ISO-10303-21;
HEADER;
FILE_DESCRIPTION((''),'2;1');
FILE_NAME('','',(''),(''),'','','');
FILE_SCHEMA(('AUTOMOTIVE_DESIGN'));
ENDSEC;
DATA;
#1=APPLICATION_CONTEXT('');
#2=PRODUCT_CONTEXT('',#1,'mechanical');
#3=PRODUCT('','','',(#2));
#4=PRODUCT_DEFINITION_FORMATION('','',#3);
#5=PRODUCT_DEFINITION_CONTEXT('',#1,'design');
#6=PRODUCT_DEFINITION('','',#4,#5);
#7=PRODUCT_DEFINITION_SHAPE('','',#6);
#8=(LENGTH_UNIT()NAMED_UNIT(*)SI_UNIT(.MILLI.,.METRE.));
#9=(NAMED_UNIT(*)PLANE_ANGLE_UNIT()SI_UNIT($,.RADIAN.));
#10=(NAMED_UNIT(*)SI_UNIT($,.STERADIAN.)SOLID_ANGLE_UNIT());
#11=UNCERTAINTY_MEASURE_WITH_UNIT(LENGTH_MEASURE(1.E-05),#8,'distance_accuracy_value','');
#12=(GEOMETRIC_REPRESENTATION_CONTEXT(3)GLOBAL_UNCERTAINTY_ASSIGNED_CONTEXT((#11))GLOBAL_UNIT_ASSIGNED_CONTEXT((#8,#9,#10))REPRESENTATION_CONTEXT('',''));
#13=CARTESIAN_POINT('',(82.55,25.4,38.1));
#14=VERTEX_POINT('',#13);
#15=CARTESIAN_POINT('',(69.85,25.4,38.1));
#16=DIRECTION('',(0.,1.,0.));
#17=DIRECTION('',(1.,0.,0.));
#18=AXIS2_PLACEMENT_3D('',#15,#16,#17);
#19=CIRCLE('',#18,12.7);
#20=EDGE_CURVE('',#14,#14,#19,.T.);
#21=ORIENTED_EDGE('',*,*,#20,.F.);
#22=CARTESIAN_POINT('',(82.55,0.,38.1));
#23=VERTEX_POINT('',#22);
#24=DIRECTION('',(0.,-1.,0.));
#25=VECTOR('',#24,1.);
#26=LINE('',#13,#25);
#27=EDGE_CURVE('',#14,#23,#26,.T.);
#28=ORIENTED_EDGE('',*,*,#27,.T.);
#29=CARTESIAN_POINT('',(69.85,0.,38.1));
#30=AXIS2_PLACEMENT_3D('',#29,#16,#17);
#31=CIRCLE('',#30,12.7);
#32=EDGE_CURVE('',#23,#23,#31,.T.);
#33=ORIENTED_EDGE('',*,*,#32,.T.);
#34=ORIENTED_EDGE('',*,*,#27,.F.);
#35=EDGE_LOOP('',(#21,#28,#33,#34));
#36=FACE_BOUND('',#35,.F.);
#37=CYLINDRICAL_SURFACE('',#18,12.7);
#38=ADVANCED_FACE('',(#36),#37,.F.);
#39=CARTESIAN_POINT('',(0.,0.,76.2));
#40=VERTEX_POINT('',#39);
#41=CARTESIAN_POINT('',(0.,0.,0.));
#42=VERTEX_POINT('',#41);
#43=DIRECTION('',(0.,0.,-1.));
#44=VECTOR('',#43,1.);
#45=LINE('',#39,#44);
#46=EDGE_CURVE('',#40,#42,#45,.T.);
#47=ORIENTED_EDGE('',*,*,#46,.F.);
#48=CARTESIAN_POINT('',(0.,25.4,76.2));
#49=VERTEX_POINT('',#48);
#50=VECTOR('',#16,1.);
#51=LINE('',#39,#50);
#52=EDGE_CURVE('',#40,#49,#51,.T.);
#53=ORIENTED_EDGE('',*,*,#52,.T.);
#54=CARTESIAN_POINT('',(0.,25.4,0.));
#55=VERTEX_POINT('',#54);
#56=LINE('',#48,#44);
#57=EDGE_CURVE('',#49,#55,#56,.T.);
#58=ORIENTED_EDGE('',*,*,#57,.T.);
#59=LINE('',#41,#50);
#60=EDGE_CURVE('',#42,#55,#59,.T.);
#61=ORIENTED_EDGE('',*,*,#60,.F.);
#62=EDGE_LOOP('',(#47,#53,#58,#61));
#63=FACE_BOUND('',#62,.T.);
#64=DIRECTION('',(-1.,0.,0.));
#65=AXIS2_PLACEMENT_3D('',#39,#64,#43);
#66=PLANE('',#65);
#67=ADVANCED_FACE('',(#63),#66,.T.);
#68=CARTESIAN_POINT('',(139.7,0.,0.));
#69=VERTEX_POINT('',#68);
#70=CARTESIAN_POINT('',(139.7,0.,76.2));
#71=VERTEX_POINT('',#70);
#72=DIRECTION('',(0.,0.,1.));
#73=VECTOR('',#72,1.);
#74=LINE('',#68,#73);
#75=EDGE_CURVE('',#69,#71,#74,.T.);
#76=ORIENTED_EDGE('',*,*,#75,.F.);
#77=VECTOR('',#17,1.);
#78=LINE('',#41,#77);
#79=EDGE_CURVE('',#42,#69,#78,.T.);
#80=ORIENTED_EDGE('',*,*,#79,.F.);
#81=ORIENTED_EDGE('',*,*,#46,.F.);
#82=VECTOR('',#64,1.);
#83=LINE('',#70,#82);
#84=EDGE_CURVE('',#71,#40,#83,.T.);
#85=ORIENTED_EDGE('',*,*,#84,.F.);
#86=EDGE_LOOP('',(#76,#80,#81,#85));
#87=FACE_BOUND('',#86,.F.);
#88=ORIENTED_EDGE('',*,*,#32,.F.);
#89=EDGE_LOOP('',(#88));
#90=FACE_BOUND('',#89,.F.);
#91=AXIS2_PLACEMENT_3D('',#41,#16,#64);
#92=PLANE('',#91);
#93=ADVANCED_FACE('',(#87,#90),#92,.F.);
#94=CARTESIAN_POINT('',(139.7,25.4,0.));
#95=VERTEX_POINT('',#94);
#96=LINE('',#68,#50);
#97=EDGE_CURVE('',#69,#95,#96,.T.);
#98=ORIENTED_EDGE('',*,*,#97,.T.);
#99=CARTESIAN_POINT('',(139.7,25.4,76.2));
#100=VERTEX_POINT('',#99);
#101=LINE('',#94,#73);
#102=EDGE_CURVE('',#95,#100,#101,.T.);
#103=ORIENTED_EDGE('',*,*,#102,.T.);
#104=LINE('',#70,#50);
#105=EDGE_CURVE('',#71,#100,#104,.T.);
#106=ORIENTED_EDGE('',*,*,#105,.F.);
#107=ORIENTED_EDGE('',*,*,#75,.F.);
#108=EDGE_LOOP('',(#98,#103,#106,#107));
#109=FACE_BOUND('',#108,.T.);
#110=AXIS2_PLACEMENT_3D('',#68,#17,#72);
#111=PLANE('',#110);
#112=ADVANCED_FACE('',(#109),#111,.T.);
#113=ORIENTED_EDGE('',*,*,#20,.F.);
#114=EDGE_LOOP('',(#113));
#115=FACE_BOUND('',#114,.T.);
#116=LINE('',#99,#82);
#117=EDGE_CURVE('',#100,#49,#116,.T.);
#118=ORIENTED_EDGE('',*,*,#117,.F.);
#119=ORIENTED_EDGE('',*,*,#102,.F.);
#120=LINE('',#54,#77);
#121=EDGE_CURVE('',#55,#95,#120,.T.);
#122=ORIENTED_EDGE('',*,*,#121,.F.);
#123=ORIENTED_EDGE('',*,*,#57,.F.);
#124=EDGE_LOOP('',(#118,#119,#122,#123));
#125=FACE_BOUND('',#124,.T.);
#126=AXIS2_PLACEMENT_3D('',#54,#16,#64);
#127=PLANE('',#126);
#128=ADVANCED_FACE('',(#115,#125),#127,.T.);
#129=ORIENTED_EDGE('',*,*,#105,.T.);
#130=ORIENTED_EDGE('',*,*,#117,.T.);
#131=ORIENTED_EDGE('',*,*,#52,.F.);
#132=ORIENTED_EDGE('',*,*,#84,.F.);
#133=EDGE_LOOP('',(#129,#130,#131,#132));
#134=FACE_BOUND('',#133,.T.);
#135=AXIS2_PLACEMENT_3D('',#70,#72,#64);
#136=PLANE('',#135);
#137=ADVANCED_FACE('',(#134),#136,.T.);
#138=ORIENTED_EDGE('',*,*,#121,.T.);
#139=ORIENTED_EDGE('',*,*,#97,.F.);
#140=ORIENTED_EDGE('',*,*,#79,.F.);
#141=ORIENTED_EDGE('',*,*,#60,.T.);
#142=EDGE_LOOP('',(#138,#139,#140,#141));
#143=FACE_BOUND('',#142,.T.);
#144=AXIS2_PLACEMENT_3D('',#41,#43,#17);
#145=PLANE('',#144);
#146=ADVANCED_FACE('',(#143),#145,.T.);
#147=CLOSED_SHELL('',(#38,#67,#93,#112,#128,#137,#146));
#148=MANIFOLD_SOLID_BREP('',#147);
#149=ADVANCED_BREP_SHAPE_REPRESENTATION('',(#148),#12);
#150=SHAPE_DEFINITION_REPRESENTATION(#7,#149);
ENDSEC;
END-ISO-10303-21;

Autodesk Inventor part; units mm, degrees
ref_plane "YZ Plane" through (0, 0, 0) normal (1, 0, 0) x (0, 1, 0)
ref_plane "XZ Plane" through (0, 0, 0) normal (0, 1, 0) x (-1, 0, 0)
ref_plane "XY Plane" through (0, 0, 0) normal (0, 0, 1) x (1, 0, 0)
sketch "Sketch1" plane through (0, 0, 0) normal (0, 1, 0) x (-1, 0, 0)
  line L0 (0, 0) -> (-139.7, 0)
  line L1 (-139.7, 0) -> (-139.7, 76.2)
  line L2 (-139.7, 76.2) -> (0, 76.2)
  line L3 (0, 76.2) -> (0, 0)
  dimension "d0" = 139.7
  dimension "d1" = 76.2
extrude "Extrusion1" add sketch "Sketch1" along normal blind 25.4
sketch "Sketch2" plane through (0, 25.4, 0) normal (0, 1, 0) x (1, 0, 0)
  circle A0 centre (69.85, -38.1) radius 12.7
  dimension "d4" = 25.4
extrude "Extrusion2" cut sketch "Sketch2" against normal blind 25.4
properties part number "p1-1"
